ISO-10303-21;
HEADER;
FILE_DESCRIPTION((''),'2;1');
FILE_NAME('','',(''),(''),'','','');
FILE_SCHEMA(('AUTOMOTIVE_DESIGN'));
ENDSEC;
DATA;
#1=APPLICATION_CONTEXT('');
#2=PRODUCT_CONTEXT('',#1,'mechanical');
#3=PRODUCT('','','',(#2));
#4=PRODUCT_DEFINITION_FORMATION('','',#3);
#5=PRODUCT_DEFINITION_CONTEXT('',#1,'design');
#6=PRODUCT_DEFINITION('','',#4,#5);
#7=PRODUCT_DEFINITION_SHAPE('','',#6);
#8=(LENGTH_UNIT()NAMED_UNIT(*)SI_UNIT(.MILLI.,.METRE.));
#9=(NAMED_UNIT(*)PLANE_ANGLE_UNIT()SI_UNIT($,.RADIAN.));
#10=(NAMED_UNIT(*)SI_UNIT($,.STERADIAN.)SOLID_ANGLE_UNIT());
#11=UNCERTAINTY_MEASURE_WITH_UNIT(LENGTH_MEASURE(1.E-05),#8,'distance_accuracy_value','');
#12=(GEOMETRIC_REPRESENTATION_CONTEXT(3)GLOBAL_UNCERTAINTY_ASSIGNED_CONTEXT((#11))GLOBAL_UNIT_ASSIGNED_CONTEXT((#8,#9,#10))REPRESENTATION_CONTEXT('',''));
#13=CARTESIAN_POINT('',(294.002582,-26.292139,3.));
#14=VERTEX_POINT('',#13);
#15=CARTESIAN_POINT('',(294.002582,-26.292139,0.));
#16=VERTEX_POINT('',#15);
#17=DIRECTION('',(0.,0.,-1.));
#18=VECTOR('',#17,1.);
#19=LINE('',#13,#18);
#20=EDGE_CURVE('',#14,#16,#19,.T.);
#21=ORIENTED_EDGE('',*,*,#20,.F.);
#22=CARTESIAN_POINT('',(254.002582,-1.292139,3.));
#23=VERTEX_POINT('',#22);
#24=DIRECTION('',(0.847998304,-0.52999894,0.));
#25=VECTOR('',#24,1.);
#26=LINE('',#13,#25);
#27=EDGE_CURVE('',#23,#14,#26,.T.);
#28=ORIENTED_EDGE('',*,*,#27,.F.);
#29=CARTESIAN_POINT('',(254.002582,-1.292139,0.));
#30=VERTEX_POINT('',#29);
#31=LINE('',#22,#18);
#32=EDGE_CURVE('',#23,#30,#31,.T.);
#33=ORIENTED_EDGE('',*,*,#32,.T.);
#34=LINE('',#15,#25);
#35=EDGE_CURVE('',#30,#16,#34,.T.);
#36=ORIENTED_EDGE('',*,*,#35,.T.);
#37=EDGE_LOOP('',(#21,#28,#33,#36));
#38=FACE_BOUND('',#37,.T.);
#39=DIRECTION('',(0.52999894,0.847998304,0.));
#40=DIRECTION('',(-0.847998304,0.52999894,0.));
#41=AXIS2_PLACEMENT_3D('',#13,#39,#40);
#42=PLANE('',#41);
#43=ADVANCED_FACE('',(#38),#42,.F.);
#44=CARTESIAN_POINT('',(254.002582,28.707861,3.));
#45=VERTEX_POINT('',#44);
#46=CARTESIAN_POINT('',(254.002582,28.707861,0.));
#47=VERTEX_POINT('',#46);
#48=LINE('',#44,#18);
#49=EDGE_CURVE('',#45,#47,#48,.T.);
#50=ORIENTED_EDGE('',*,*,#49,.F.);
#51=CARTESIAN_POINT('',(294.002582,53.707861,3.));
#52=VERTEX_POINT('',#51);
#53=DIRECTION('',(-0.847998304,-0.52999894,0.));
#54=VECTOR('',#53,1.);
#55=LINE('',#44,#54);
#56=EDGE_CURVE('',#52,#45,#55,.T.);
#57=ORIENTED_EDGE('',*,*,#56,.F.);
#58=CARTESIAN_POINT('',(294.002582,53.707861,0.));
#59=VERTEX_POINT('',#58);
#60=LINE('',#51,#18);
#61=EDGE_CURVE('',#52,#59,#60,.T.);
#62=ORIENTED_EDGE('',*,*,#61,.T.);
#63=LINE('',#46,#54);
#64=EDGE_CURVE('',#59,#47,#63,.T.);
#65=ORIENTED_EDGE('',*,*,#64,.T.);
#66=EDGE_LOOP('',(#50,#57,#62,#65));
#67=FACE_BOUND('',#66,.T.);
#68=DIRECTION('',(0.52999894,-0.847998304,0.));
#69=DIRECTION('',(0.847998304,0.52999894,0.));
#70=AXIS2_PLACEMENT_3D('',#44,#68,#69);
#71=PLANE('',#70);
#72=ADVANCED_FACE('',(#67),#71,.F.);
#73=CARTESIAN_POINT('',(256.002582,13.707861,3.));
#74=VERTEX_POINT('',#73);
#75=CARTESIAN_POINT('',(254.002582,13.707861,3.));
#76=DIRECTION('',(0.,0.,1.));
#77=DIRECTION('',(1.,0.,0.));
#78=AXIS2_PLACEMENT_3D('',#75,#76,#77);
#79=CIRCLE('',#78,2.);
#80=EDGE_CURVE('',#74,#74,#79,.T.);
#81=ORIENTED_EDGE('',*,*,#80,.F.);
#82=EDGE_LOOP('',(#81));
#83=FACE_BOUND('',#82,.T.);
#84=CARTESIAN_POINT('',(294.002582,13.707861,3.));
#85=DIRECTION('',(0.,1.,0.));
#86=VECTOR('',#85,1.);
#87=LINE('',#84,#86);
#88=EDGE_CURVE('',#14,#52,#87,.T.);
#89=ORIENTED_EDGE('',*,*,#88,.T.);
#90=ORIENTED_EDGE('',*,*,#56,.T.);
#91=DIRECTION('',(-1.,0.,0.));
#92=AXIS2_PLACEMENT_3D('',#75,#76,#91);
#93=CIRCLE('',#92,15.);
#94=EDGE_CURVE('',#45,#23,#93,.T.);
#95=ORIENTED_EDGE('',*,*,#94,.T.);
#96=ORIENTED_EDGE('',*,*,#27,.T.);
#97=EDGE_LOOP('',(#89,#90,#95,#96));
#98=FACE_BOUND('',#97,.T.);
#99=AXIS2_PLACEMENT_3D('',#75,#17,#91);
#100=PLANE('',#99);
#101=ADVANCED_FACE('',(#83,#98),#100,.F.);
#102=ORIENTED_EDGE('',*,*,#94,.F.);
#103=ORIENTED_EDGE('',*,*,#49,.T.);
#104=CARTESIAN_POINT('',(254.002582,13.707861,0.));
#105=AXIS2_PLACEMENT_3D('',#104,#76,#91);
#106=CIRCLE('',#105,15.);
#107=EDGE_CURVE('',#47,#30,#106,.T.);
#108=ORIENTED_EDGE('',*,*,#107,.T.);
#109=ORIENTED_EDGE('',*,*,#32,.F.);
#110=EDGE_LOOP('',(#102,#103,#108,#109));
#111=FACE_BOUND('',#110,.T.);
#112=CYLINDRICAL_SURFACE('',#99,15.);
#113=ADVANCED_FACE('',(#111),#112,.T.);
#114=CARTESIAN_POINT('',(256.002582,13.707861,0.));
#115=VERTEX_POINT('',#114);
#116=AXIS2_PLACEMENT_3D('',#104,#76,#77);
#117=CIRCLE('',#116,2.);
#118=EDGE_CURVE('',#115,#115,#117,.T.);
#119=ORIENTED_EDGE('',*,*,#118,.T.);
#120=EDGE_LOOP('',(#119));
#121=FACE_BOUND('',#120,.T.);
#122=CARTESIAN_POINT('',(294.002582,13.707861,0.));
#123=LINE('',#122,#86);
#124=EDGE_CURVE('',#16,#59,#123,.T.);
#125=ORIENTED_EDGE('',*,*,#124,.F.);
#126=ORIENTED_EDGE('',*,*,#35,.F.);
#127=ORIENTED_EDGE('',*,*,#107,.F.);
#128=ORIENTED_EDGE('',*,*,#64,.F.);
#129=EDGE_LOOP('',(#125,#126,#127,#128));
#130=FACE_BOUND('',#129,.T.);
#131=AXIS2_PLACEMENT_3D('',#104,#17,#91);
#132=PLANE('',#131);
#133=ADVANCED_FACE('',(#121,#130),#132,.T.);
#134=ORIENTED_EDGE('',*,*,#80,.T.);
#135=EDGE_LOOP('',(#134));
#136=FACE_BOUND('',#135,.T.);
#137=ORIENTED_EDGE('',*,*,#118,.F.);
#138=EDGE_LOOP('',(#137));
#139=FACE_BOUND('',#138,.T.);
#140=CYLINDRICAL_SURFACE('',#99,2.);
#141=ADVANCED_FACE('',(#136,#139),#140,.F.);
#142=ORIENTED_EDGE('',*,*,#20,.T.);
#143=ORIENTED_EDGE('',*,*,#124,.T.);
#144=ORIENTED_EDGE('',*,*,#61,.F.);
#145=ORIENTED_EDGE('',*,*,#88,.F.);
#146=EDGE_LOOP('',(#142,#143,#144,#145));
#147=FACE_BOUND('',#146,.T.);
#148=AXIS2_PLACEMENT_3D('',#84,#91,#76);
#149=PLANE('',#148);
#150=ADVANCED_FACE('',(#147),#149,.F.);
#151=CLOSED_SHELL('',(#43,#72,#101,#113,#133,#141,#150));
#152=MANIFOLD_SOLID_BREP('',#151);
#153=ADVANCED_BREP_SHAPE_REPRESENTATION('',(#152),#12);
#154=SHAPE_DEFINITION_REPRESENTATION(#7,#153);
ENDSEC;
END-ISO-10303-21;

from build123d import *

# Parameters (mm, degrees)
SKETCH_1_R      = 2
EXTRUDE_1_DEPTH = 3


with BuildPart() as part:
    # 草图1 → 凸台-拉伸1 (new body)
    with BuildSketch(Plane.XY):
        with BuildLine():
            Line((254.002581869, 28.707860978), (294.002581869, 53.707860978))
            Line((294.002581869, 53.707860978), (294.002581869, 13.707860978))
            Line((294.002581869, 13.707860978), (294.002581869, -26.292139022))
            Line((294.002581869, -26.292139022), (254.002581869, -1.292139022))
            ThreePointArc((254.002581869, -1.292139022), (239.002581869, 13.707860978), (254.002581869, 28.707860978))
        make_face()
        with Locations((254.002581869, 13.707860978)):
            Circle(SKETCH_1_R, mode=Mode.SUBTRACT)
    extrude(amount=EXTRUDE_1_DEPTH)


solid = part.part
